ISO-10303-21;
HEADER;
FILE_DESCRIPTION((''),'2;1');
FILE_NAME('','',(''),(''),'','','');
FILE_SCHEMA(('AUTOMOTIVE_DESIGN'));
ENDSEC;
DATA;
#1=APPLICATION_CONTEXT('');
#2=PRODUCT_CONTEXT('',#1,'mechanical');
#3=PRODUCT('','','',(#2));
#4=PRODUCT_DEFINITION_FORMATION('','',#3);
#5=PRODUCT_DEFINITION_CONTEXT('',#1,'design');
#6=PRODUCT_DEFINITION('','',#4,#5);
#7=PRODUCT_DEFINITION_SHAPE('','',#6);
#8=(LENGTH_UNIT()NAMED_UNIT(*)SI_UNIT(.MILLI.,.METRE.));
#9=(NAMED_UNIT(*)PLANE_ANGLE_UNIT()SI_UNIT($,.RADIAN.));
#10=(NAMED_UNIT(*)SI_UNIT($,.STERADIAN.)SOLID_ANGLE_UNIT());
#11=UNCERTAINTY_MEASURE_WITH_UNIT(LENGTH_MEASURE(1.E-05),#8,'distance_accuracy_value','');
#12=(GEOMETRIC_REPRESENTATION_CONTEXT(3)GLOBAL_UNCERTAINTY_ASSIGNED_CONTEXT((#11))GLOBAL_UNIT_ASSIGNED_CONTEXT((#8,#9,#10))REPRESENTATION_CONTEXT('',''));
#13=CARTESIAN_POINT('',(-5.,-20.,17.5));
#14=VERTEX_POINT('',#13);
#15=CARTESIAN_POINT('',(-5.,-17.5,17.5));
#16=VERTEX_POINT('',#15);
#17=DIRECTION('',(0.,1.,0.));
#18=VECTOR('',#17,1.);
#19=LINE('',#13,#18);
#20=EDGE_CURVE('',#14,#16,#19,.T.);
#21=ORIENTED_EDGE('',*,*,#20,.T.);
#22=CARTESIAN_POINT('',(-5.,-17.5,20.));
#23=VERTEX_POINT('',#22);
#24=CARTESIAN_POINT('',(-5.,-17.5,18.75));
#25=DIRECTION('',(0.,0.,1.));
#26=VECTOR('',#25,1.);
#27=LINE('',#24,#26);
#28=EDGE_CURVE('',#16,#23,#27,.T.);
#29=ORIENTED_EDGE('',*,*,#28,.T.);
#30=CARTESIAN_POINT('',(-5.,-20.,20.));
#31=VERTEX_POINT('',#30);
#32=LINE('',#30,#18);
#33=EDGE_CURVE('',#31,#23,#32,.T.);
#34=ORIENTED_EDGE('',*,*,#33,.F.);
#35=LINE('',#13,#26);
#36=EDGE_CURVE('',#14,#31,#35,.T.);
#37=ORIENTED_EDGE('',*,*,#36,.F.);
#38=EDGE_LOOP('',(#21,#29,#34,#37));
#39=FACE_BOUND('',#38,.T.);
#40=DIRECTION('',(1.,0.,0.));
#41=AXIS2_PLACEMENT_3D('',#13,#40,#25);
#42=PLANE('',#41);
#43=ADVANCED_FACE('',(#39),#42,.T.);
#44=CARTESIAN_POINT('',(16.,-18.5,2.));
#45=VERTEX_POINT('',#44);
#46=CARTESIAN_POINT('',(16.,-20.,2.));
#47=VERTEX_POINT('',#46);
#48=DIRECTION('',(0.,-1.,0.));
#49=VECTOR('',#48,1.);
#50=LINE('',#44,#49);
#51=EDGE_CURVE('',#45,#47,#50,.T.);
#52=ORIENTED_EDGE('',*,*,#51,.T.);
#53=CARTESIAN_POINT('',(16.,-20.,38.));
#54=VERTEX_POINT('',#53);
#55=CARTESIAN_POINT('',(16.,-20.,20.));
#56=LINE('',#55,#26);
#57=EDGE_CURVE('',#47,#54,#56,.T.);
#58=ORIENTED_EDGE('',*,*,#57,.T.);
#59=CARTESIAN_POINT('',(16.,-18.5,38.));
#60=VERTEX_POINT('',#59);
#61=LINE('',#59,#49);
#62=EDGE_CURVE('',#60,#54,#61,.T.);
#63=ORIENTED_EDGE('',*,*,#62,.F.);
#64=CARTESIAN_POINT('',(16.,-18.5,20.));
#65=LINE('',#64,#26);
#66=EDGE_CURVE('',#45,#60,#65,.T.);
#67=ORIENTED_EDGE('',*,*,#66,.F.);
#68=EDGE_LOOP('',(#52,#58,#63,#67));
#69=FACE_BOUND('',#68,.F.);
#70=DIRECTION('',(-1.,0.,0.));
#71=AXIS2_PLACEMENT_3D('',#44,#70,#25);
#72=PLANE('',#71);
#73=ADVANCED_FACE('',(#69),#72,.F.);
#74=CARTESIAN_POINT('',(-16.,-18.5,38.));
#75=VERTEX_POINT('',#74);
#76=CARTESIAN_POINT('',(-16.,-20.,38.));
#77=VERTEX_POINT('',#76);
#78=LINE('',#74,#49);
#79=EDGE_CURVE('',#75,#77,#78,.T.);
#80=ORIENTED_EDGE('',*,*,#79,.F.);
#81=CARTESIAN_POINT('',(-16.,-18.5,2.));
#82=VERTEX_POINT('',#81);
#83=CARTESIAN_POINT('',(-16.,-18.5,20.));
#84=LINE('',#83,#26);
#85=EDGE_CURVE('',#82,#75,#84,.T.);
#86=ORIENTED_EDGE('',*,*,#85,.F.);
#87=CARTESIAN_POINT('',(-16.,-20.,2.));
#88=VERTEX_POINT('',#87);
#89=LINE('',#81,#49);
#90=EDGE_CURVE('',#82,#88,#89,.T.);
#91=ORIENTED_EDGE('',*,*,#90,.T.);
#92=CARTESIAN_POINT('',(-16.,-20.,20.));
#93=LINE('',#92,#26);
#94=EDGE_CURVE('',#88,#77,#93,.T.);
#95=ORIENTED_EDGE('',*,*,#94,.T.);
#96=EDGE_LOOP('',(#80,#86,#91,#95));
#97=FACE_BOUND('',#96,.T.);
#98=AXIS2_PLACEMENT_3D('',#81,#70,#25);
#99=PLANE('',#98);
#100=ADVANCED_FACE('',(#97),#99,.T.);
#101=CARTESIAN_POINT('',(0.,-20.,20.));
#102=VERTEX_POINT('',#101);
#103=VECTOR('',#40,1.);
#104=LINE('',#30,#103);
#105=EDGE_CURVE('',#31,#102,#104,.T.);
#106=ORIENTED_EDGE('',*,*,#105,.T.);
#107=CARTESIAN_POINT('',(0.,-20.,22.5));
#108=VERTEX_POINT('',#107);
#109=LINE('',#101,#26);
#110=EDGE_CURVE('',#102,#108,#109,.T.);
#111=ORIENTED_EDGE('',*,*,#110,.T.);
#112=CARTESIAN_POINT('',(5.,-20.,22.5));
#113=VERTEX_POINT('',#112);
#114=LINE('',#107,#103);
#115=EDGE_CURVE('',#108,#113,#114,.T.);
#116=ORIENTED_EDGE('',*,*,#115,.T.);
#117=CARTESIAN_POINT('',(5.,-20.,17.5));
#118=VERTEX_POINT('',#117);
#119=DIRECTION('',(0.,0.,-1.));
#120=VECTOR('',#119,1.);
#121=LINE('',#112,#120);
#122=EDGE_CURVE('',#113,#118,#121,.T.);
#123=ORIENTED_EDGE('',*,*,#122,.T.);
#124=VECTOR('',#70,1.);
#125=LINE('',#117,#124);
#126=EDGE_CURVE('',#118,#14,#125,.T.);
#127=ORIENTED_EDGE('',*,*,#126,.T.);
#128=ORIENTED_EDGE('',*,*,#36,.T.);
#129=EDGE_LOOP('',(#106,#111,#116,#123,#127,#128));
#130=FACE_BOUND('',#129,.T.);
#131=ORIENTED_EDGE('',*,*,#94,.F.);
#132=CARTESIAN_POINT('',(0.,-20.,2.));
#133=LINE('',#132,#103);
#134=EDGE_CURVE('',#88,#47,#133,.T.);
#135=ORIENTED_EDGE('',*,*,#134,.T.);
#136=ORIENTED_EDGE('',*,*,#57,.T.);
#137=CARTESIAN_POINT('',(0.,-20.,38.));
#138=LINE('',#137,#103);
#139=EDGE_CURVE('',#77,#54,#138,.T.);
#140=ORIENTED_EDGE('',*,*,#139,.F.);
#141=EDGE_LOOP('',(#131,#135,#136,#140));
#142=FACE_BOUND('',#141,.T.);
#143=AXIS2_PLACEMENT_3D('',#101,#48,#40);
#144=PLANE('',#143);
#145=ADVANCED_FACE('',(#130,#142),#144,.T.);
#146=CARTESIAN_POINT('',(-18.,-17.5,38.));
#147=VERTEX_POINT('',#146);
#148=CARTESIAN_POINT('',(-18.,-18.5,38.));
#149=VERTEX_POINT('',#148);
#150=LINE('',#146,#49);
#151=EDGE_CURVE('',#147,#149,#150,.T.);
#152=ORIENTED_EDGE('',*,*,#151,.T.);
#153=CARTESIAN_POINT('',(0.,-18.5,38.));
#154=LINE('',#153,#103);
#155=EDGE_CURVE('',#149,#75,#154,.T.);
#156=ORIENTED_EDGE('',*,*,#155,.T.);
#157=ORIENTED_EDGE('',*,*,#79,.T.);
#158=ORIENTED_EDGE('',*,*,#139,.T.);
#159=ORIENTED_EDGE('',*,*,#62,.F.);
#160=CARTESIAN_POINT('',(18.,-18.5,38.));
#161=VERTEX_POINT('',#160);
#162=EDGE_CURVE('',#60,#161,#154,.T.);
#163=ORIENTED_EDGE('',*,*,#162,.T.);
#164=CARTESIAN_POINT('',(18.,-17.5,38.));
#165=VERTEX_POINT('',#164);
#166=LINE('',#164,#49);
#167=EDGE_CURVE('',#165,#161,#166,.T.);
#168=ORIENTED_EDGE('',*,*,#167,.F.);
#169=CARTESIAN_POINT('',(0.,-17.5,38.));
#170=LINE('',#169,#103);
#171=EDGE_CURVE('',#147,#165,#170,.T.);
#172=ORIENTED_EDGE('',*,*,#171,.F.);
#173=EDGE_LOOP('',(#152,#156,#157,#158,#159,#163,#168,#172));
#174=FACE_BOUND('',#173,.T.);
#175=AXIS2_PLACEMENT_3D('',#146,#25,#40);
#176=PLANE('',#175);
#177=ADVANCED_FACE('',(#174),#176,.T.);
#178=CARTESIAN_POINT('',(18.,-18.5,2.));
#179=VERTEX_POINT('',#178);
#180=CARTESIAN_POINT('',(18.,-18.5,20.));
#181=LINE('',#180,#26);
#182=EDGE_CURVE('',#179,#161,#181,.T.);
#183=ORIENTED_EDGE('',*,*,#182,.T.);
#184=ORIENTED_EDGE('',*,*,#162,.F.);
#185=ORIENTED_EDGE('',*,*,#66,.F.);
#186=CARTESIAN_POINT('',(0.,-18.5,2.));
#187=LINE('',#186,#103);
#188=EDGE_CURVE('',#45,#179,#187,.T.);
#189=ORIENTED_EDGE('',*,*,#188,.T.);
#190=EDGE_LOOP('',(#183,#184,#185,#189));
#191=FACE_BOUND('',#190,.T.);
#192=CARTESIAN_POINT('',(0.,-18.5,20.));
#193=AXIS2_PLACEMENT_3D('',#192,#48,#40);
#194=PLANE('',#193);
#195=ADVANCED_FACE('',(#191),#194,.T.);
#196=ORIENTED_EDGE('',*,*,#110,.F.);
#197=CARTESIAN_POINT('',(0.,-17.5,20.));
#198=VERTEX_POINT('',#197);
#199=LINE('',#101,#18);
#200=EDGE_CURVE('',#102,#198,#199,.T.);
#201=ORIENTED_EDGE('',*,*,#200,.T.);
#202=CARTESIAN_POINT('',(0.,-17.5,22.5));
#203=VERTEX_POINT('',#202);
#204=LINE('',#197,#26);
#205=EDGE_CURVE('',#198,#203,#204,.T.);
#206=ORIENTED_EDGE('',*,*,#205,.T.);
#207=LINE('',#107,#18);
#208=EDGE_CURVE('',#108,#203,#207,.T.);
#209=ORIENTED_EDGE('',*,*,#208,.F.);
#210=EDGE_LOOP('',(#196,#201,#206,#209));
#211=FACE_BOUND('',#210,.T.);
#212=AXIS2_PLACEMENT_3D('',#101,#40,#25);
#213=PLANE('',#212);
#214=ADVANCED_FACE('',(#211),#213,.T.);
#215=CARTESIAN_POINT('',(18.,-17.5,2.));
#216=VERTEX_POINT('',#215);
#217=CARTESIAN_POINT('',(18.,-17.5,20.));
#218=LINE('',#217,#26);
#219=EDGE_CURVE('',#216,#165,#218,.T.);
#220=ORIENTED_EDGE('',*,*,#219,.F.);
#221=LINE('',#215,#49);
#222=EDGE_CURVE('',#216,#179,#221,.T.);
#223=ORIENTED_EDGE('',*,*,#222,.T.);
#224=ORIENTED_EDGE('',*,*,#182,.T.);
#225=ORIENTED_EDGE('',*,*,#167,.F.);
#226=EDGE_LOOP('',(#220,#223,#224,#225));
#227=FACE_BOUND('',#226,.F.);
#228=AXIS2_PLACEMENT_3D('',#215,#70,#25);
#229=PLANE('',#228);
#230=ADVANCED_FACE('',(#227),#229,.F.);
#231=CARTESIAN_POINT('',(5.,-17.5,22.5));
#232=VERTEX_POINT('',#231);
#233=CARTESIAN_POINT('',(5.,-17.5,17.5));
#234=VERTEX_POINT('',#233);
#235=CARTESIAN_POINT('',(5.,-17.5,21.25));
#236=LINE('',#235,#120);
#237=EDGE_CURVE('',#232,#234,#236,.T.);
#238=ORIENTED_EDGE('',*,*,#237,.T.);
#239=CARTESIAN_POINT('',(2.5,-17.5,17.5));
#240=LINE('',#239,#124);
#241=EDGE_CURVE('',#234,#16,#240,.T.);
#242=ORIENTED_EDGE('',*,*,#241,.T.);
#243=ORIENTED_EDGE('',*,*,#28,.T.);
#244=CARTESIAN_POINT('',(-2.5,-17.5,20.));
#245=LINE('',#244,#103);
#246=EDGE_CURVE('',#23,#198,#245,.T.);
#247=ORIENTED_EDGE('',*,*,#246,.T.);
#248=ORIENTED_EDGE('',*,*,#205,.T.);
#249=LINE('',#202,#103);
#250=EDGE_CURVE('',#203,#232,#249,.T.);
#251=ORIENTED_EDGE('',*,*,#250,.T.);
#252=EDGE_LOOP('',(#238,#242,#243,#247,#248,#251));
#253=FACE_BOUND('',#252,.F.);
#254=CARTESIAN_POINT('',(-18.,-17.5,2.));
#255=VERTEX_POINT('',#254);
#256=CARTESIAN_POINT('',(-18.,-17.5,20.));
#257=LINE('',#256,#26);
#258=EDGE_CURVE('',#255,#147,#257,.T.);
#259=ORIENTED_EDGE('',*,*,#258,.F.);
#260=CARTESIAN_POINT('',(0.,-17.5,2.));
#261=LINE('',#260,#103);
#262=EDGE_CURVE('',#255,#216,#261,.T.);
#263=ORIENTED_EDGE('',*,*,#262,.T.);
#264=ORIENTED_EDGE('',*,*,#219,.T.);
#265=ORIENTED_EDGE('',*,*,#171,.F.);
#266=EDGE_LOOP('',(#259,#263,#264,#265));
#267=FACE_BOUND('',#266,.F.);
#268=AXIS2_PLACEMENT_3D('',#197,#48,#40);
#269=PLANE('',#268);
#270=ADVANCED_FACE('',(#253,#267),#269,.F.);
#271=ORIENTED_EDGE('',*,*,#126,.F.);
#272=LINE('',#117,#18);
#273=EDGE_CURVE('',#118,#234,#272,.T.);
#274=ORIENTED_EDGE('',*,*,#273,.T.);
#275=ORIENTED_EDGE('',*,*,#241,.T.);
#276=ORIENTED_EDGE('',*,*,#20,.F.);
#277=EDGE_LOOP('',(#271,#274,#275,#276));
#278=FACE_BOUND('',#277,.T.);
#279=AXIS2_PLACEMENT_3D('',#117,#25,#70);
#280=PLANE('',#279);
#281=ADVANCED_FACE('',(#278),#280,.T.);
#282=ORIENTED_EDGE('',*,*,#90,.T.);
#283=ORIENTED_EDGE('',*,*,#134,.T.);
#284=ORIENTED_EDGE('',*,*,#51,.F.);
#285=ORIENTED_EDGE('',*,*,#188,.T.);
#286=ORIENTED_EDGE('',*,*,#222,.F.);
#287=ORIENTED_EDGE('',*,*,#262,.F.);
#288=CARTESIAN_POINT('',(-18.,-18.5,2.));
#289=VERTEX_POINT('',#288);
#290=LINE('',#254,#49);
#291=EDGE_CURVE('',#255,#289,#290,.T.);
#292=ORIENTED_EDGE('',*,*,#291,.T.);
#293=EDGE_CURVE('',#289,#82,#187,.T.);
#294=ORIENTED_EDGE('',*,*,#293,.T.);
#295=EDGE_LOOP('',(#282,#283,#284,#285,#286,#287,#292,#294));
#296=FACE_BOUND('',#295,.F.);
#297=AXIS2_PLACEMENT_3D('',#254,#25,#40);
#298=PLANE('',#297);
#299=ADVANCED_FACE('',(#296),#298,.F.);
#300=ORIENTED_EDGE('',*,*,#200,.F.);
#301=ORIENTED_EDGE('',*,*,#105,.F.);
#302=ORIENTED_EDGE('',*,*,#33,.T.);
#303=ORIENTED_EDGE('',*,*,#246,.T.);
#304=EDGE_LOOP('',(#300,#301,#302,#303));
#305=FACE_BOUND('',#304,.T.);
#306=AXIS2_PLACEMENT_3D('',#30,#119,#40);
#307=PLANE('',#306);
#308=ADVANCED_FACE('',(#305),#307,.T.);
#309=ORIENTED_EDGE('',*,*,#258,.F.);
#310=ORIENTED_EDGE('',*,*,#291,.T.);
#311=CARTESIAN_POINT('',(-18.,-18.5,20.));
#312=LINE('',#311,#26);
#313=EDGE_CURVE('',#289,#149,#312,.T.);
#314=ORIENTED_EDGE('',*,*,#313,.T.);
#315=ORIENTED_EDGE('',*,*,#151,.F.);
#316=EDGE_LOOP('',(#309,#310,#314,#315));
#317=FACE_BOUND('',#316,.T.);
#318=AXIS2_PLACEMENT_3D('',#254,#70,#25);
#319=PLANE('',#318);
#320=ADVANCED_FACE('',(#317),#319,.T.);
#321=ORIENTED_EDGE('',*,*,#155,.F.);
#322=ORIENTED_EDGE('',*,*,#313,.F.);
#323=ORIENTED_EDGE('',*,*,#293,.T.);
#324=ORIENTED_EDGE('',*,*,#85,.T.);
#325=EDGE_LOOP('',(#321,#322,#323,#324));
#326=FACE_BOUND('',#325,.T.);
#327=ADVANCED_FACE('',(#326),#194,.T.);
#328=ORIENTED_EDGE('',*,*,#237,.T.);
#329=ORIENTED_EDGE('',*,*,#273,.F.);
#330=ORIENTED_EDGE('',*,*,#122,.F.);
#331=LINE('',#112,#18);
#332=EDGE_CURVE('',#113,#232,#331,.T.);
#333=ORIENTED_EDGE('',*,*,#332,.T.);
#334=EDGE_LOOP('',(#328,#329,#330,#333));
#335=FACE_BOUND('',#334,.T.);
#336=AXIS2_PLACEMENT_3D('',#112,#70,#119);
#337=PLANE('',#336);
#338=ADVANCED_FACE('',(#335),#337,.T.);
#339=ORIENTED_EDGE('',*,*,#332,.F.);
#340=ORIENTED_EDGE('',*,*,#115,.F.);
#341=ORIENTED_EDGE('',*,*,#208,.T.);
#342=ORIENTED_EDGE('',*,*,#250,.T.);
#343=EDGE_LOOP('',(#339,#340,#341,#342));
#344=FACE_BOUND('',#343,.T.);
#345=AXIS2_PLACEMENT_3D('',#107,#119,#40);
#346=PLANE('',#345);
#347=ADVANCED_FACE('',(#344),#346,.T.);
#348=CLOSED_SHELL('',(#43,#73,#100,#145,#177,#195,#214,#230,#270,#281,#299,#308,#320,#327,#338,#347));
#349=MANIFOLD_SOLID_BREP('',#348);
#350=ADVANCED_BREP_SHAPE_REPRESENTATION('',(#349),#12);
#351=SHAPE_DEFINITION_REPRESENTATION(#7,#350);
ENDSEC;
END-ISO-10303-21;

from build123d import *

# Parameters (mm, degrees)
SKETCH021_W                    = 32
SKETCH021_H                    = 36
EXTRUDE019_DEPTH               = 1.5
SKETCH020_W                    = 36
SKETCH020_H                    = 36
EXTRUDE018_DEPTH               = 1
FUSION011_PLACEMENT_ANGLE      = 90
BASEFEATURE002_PLACEMENT_ANGLE = 90
POCKET002_DEPTH                = 5
BODY003_PLACEMENT_ANGLE        = 90


with BuildPart() as extrude019:
    # Sketch021 (on Face6 of Extrude018) → Extrude019 (new body)
    with BuildSketch(Plane.XY.offset(1)):
        Rectangle(SKETCH021_W, SKETCH021_H)
    extrude(amount=EXTRUDE019_DEPTH)


with BuildPart() as body003:
    # Sketch020 → Extrude018 (new body)
    with BuildSketch(Plane.XY):
        Rectangle(SKETCH020_W, SKETCH020_H)
    extrude(amount=EXTRUDE018_DEPTH)

    # Fusion011: union Extrude019
    add(extrude019.part)


with BuildPart() as body003_1:
    # Fusion011 placement: moved
    add(body003.part.moved(Location((0, -17.5, 20))).rotate(Axis((0, -17.5, 20), (1, 0, 0)), FUSION011_PLACEMENT_ANGLE))


with BuildPart() as body003_2:
    # BaseFeature002 placement: moved
    add(body003_1.part.moved(Location((0, -20, -17.5))).rotate(Axis((0, -20, -17.5), (-1, 0, 0)), BASEFEATURE002_PLACEMENT_ANGLE))

    # Sketch026 (on Face8 of BaseFeature002) → Pocket002 (cut)
    with BuildSketch(Plane.XY.offset(2.5)):
        Polygon((0, 0), (0, 2.5), (5, 2.5), (5, -2.5), (-5, -2.5), (-5, 0), align=None)
    extrude(amount=-POCKET002_DEPTH, mode=Mode.SUBTRACT)


with BuildPart() as body003_3:
    # Body003 placement: moved
    add(body003_2.part.moved(Location((0, -17.5, 20))).rotate(Axis((0, -17.5, 20), (1, 0, 0)), BODY003_PLACEMENT_ANGLE))


solid = body003_3.part
